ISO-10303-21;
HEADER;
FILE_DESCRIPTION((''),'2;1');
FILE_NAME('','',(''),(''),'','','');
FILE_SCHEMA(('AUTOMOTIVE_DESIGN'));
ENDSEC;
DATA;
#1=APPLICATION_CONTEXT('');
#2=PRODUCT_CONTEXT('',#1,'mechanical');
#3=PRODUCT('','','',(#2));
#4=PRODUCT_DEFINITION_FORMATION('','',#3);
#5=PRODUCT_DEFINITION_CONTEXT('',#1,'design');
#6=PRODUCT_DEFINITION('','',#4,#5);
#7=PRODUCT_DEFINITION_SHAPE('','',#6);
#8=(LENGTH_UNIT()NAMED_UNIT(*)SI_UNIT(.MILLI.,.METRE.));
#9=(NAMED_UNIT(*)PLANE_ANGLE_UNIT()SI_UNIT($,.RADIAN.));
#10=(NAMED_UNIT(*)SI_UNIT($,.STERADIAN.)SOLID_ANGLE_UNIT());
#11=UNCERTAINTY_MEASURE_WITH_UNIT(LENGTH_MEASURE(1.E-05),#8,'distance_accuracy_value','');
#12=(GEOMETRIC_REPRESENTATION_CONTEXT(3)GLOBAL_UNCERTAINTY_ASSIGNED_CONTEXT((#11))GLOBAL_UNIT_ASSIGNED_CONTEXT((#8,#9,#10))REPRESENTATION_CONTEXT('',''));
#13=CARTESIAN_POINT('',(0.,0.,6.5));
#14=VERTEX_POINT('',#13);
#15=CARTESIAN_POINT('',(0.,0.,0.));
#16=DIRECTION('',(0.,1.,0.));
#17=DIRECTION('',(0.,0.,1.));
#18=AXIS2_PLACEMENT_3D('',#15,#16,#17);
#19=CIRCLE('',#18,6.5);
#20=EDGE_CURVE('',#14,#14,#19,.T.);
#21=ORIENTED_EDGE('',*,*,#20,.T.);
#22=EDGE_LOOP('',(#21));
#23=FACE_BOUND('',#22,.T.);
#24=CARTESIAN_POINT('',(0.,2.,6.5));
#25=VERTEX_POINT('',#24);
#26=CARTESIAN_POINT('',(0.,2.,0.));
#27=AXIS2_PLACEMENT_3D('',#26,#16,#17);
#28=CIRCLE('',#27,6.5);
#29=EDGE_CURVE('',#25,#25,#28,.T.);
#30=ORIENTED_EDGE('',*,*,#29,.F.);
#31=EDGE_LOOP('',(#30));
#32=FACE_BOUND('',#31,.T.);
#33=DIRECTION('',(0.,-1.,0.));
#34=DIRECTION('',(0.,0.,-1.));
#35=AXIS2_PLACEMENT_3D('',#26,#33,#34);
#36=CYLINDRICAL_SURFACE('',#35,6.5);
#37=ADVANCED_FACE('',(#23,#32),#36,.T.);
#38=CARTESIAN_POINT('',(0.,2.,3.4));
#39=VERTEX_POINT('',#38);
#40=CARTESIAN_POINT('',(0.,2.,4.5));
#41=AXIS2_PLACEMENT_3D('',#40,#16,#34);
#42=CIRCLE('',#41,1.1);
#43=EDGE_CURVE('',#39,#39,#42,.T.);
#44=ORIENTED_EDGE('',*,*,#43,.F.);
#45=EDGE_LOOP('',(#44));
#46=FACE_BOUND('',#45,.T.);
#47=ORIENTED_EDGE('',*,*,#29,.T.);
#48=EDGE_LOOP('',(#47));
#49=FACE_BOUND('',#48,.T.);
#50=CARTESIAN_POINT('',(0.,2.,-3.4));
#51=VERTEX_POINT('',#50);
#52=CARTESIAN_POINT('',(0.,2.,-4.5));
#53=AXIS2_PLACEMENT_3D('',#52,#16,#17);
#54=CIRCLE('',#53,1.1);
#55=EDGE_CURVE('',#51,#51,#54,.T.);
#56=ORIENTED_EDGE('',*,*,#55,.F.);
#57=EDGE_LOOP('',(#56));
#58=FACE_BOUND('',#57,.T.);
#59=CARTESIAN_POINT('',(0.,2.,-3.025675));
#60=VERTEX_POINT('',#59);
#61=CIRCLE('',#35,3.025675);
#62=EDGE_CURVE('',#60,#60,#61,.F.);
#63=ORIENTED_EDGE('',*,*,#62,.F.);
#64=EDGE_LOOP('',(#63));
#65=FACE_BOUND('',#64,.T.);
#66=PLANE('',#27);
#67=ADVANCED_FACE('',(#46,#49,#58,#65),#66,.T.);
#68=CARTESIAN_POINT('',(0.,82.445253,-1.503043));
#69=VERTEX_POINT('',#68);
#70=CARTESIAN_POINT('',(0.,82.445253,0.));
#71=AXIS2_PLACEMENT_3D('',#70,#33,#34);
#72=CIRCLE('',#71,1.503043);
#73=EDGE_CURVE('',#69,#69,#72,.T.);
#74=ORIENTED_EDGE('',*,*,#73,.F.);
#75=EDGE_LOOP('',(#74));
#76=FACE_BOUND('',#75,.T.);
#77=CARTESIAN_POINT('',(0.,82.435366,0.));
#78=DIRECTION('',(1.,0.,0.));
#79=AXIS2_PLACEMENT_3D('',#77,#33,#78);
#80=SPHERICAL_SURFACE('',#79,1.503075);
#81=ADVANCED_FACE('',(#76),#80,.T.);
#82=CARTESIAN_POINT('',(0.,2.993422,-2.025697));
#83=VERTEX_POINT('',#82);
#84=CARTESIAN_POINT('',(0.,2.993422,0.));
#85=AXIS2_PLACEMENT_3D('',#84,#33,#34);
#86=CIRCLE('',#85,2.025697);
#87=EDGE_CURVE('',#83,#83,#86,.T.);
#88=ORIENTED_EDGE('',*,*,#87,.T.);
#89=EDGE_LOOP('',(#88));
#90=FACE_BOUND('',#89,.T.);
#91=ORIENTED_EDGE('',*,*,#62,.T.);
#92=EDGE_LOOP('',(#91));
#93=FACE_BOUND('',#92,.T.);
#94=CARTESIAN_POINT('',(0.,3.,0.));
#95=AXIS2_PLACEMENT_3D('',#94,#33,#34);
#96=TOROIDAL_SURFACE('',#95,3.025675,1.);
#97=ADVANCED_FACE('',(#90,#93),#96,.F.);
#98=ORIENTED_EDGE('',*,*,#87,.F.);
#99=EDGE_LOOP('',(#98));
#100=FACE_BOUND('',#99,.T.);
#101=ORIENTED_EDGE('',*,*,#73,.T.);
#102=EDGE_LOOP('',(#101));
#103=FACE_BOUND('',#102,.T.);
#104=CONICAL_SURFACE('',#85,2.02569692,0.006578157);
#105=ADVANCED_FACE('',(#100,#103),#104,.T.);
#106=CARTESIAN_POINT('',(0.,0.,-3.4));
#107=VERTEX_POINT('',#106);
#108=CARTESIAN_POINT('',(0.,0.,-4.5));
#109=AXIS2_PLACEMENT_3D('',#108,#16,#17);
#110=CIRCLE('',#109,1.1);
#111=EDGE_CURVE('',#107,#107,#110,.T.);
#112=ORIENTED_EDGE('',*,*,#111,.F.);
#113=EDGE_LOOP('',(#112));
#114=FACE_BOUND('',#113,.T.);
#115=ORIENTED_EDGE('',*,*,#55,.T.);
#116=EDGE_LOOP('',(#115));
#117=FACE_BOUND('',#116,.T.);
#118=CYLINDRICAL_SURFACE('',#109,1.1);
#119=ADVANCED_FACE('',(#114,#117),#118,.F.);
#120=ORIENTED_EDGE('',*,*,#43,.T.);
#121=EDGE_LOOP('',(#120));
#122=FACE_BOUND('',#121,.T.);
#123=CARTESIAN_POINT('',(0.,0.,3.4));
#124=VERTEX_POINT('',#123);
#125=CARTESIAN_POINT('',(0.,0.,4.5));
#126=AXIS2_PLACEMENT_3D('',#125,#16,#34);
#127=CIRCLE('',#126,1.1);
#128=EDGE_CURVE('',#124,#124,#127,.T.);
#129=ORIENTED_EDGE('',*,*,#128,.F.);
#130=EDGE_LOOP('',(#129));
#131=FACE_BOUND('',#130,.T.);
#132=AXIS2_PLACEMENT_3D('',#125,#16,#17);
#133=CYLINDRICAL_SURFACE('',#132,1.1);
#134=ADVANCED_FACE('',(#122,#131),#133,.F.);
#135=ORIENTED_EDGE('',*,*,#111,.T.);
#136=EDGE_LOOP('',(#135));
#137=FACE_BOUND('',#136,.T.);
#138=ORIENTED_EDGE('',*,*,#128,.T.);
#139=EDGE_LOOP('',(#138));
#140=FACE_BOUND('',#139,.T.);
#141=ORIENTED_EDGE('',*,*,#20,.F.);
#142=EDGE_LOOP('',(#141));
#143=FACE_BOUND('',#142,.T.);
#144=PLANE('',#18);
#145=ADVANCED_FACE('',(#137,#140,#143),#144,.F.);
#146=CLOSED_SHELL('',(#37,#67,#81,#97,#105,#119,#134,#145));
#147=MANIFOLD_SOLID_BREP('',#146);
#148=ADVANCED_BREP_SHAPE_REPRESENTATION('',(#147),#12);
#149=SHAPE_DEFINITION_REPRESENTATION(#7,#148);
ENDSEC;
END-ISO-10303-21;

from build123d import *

# Parameters (mm, degrees)
SKETCH_1_R          = 6.5
EXTRUDE_1_DEPTH     = 2
SKETCH_2_R          = 1.1
CUT_EXTRUDE_1_DEPTH = 3


with BuildPart() as part:
    # 草图1 → 凸台-拉伸1 (new body)
    with BuildSketch(Plane(origin=(0, 0, 0), x_dir=(1, 0, 0), z_dir=(0, 1, 0))):
        Circle(SKETCH_1_R)
    extrude(amount=EXTRUDE_1_DEPTH)

    # 草图2 → 切除-拉伸1 (cut, through all)
    with BuildSketch(Plane(origin=(0, 2, 0), x_dir=(1, 0, 0), z_dir=(0, 1, 0))):
        with Locations((0, 4.5)):
            Circle(SKETCH_2_R)
        with Locations((0, -4.5)):
            Circle(SKETCH_2_R)
    extrude(amount=-CUT_EXTRUDE_1_DEPTH, mode=Mode.SUBTRACT)

    # 草图4 → 旋转1 (revolve)
    with BuildSketch(Plane.XY):
        with BuildLine():
            Line((1.50919925, 81.509373352), (2.02569692, 2.993421891))
            ThreePointArc((2.02569692, 2.993421891), (2.320898053, 2.290571318), (3.025675284, 2))
            Line((3.025675284, 2), (3, 2))
            Line((3, 2), (0, 2))
            Line((0, 2), (0, 83.938441204))
            ThreePointArc((0, 83.938441204), (1.05933326, 83.501690627), (1.503042796, 82.44525328))
            Line((1.503042796, 82.44525328), (1.50919925, 81.509373352))
        make_face()
    revolve(axis=Axis((0, 2, 0), (0, 1, 0)))


solid = part.part
